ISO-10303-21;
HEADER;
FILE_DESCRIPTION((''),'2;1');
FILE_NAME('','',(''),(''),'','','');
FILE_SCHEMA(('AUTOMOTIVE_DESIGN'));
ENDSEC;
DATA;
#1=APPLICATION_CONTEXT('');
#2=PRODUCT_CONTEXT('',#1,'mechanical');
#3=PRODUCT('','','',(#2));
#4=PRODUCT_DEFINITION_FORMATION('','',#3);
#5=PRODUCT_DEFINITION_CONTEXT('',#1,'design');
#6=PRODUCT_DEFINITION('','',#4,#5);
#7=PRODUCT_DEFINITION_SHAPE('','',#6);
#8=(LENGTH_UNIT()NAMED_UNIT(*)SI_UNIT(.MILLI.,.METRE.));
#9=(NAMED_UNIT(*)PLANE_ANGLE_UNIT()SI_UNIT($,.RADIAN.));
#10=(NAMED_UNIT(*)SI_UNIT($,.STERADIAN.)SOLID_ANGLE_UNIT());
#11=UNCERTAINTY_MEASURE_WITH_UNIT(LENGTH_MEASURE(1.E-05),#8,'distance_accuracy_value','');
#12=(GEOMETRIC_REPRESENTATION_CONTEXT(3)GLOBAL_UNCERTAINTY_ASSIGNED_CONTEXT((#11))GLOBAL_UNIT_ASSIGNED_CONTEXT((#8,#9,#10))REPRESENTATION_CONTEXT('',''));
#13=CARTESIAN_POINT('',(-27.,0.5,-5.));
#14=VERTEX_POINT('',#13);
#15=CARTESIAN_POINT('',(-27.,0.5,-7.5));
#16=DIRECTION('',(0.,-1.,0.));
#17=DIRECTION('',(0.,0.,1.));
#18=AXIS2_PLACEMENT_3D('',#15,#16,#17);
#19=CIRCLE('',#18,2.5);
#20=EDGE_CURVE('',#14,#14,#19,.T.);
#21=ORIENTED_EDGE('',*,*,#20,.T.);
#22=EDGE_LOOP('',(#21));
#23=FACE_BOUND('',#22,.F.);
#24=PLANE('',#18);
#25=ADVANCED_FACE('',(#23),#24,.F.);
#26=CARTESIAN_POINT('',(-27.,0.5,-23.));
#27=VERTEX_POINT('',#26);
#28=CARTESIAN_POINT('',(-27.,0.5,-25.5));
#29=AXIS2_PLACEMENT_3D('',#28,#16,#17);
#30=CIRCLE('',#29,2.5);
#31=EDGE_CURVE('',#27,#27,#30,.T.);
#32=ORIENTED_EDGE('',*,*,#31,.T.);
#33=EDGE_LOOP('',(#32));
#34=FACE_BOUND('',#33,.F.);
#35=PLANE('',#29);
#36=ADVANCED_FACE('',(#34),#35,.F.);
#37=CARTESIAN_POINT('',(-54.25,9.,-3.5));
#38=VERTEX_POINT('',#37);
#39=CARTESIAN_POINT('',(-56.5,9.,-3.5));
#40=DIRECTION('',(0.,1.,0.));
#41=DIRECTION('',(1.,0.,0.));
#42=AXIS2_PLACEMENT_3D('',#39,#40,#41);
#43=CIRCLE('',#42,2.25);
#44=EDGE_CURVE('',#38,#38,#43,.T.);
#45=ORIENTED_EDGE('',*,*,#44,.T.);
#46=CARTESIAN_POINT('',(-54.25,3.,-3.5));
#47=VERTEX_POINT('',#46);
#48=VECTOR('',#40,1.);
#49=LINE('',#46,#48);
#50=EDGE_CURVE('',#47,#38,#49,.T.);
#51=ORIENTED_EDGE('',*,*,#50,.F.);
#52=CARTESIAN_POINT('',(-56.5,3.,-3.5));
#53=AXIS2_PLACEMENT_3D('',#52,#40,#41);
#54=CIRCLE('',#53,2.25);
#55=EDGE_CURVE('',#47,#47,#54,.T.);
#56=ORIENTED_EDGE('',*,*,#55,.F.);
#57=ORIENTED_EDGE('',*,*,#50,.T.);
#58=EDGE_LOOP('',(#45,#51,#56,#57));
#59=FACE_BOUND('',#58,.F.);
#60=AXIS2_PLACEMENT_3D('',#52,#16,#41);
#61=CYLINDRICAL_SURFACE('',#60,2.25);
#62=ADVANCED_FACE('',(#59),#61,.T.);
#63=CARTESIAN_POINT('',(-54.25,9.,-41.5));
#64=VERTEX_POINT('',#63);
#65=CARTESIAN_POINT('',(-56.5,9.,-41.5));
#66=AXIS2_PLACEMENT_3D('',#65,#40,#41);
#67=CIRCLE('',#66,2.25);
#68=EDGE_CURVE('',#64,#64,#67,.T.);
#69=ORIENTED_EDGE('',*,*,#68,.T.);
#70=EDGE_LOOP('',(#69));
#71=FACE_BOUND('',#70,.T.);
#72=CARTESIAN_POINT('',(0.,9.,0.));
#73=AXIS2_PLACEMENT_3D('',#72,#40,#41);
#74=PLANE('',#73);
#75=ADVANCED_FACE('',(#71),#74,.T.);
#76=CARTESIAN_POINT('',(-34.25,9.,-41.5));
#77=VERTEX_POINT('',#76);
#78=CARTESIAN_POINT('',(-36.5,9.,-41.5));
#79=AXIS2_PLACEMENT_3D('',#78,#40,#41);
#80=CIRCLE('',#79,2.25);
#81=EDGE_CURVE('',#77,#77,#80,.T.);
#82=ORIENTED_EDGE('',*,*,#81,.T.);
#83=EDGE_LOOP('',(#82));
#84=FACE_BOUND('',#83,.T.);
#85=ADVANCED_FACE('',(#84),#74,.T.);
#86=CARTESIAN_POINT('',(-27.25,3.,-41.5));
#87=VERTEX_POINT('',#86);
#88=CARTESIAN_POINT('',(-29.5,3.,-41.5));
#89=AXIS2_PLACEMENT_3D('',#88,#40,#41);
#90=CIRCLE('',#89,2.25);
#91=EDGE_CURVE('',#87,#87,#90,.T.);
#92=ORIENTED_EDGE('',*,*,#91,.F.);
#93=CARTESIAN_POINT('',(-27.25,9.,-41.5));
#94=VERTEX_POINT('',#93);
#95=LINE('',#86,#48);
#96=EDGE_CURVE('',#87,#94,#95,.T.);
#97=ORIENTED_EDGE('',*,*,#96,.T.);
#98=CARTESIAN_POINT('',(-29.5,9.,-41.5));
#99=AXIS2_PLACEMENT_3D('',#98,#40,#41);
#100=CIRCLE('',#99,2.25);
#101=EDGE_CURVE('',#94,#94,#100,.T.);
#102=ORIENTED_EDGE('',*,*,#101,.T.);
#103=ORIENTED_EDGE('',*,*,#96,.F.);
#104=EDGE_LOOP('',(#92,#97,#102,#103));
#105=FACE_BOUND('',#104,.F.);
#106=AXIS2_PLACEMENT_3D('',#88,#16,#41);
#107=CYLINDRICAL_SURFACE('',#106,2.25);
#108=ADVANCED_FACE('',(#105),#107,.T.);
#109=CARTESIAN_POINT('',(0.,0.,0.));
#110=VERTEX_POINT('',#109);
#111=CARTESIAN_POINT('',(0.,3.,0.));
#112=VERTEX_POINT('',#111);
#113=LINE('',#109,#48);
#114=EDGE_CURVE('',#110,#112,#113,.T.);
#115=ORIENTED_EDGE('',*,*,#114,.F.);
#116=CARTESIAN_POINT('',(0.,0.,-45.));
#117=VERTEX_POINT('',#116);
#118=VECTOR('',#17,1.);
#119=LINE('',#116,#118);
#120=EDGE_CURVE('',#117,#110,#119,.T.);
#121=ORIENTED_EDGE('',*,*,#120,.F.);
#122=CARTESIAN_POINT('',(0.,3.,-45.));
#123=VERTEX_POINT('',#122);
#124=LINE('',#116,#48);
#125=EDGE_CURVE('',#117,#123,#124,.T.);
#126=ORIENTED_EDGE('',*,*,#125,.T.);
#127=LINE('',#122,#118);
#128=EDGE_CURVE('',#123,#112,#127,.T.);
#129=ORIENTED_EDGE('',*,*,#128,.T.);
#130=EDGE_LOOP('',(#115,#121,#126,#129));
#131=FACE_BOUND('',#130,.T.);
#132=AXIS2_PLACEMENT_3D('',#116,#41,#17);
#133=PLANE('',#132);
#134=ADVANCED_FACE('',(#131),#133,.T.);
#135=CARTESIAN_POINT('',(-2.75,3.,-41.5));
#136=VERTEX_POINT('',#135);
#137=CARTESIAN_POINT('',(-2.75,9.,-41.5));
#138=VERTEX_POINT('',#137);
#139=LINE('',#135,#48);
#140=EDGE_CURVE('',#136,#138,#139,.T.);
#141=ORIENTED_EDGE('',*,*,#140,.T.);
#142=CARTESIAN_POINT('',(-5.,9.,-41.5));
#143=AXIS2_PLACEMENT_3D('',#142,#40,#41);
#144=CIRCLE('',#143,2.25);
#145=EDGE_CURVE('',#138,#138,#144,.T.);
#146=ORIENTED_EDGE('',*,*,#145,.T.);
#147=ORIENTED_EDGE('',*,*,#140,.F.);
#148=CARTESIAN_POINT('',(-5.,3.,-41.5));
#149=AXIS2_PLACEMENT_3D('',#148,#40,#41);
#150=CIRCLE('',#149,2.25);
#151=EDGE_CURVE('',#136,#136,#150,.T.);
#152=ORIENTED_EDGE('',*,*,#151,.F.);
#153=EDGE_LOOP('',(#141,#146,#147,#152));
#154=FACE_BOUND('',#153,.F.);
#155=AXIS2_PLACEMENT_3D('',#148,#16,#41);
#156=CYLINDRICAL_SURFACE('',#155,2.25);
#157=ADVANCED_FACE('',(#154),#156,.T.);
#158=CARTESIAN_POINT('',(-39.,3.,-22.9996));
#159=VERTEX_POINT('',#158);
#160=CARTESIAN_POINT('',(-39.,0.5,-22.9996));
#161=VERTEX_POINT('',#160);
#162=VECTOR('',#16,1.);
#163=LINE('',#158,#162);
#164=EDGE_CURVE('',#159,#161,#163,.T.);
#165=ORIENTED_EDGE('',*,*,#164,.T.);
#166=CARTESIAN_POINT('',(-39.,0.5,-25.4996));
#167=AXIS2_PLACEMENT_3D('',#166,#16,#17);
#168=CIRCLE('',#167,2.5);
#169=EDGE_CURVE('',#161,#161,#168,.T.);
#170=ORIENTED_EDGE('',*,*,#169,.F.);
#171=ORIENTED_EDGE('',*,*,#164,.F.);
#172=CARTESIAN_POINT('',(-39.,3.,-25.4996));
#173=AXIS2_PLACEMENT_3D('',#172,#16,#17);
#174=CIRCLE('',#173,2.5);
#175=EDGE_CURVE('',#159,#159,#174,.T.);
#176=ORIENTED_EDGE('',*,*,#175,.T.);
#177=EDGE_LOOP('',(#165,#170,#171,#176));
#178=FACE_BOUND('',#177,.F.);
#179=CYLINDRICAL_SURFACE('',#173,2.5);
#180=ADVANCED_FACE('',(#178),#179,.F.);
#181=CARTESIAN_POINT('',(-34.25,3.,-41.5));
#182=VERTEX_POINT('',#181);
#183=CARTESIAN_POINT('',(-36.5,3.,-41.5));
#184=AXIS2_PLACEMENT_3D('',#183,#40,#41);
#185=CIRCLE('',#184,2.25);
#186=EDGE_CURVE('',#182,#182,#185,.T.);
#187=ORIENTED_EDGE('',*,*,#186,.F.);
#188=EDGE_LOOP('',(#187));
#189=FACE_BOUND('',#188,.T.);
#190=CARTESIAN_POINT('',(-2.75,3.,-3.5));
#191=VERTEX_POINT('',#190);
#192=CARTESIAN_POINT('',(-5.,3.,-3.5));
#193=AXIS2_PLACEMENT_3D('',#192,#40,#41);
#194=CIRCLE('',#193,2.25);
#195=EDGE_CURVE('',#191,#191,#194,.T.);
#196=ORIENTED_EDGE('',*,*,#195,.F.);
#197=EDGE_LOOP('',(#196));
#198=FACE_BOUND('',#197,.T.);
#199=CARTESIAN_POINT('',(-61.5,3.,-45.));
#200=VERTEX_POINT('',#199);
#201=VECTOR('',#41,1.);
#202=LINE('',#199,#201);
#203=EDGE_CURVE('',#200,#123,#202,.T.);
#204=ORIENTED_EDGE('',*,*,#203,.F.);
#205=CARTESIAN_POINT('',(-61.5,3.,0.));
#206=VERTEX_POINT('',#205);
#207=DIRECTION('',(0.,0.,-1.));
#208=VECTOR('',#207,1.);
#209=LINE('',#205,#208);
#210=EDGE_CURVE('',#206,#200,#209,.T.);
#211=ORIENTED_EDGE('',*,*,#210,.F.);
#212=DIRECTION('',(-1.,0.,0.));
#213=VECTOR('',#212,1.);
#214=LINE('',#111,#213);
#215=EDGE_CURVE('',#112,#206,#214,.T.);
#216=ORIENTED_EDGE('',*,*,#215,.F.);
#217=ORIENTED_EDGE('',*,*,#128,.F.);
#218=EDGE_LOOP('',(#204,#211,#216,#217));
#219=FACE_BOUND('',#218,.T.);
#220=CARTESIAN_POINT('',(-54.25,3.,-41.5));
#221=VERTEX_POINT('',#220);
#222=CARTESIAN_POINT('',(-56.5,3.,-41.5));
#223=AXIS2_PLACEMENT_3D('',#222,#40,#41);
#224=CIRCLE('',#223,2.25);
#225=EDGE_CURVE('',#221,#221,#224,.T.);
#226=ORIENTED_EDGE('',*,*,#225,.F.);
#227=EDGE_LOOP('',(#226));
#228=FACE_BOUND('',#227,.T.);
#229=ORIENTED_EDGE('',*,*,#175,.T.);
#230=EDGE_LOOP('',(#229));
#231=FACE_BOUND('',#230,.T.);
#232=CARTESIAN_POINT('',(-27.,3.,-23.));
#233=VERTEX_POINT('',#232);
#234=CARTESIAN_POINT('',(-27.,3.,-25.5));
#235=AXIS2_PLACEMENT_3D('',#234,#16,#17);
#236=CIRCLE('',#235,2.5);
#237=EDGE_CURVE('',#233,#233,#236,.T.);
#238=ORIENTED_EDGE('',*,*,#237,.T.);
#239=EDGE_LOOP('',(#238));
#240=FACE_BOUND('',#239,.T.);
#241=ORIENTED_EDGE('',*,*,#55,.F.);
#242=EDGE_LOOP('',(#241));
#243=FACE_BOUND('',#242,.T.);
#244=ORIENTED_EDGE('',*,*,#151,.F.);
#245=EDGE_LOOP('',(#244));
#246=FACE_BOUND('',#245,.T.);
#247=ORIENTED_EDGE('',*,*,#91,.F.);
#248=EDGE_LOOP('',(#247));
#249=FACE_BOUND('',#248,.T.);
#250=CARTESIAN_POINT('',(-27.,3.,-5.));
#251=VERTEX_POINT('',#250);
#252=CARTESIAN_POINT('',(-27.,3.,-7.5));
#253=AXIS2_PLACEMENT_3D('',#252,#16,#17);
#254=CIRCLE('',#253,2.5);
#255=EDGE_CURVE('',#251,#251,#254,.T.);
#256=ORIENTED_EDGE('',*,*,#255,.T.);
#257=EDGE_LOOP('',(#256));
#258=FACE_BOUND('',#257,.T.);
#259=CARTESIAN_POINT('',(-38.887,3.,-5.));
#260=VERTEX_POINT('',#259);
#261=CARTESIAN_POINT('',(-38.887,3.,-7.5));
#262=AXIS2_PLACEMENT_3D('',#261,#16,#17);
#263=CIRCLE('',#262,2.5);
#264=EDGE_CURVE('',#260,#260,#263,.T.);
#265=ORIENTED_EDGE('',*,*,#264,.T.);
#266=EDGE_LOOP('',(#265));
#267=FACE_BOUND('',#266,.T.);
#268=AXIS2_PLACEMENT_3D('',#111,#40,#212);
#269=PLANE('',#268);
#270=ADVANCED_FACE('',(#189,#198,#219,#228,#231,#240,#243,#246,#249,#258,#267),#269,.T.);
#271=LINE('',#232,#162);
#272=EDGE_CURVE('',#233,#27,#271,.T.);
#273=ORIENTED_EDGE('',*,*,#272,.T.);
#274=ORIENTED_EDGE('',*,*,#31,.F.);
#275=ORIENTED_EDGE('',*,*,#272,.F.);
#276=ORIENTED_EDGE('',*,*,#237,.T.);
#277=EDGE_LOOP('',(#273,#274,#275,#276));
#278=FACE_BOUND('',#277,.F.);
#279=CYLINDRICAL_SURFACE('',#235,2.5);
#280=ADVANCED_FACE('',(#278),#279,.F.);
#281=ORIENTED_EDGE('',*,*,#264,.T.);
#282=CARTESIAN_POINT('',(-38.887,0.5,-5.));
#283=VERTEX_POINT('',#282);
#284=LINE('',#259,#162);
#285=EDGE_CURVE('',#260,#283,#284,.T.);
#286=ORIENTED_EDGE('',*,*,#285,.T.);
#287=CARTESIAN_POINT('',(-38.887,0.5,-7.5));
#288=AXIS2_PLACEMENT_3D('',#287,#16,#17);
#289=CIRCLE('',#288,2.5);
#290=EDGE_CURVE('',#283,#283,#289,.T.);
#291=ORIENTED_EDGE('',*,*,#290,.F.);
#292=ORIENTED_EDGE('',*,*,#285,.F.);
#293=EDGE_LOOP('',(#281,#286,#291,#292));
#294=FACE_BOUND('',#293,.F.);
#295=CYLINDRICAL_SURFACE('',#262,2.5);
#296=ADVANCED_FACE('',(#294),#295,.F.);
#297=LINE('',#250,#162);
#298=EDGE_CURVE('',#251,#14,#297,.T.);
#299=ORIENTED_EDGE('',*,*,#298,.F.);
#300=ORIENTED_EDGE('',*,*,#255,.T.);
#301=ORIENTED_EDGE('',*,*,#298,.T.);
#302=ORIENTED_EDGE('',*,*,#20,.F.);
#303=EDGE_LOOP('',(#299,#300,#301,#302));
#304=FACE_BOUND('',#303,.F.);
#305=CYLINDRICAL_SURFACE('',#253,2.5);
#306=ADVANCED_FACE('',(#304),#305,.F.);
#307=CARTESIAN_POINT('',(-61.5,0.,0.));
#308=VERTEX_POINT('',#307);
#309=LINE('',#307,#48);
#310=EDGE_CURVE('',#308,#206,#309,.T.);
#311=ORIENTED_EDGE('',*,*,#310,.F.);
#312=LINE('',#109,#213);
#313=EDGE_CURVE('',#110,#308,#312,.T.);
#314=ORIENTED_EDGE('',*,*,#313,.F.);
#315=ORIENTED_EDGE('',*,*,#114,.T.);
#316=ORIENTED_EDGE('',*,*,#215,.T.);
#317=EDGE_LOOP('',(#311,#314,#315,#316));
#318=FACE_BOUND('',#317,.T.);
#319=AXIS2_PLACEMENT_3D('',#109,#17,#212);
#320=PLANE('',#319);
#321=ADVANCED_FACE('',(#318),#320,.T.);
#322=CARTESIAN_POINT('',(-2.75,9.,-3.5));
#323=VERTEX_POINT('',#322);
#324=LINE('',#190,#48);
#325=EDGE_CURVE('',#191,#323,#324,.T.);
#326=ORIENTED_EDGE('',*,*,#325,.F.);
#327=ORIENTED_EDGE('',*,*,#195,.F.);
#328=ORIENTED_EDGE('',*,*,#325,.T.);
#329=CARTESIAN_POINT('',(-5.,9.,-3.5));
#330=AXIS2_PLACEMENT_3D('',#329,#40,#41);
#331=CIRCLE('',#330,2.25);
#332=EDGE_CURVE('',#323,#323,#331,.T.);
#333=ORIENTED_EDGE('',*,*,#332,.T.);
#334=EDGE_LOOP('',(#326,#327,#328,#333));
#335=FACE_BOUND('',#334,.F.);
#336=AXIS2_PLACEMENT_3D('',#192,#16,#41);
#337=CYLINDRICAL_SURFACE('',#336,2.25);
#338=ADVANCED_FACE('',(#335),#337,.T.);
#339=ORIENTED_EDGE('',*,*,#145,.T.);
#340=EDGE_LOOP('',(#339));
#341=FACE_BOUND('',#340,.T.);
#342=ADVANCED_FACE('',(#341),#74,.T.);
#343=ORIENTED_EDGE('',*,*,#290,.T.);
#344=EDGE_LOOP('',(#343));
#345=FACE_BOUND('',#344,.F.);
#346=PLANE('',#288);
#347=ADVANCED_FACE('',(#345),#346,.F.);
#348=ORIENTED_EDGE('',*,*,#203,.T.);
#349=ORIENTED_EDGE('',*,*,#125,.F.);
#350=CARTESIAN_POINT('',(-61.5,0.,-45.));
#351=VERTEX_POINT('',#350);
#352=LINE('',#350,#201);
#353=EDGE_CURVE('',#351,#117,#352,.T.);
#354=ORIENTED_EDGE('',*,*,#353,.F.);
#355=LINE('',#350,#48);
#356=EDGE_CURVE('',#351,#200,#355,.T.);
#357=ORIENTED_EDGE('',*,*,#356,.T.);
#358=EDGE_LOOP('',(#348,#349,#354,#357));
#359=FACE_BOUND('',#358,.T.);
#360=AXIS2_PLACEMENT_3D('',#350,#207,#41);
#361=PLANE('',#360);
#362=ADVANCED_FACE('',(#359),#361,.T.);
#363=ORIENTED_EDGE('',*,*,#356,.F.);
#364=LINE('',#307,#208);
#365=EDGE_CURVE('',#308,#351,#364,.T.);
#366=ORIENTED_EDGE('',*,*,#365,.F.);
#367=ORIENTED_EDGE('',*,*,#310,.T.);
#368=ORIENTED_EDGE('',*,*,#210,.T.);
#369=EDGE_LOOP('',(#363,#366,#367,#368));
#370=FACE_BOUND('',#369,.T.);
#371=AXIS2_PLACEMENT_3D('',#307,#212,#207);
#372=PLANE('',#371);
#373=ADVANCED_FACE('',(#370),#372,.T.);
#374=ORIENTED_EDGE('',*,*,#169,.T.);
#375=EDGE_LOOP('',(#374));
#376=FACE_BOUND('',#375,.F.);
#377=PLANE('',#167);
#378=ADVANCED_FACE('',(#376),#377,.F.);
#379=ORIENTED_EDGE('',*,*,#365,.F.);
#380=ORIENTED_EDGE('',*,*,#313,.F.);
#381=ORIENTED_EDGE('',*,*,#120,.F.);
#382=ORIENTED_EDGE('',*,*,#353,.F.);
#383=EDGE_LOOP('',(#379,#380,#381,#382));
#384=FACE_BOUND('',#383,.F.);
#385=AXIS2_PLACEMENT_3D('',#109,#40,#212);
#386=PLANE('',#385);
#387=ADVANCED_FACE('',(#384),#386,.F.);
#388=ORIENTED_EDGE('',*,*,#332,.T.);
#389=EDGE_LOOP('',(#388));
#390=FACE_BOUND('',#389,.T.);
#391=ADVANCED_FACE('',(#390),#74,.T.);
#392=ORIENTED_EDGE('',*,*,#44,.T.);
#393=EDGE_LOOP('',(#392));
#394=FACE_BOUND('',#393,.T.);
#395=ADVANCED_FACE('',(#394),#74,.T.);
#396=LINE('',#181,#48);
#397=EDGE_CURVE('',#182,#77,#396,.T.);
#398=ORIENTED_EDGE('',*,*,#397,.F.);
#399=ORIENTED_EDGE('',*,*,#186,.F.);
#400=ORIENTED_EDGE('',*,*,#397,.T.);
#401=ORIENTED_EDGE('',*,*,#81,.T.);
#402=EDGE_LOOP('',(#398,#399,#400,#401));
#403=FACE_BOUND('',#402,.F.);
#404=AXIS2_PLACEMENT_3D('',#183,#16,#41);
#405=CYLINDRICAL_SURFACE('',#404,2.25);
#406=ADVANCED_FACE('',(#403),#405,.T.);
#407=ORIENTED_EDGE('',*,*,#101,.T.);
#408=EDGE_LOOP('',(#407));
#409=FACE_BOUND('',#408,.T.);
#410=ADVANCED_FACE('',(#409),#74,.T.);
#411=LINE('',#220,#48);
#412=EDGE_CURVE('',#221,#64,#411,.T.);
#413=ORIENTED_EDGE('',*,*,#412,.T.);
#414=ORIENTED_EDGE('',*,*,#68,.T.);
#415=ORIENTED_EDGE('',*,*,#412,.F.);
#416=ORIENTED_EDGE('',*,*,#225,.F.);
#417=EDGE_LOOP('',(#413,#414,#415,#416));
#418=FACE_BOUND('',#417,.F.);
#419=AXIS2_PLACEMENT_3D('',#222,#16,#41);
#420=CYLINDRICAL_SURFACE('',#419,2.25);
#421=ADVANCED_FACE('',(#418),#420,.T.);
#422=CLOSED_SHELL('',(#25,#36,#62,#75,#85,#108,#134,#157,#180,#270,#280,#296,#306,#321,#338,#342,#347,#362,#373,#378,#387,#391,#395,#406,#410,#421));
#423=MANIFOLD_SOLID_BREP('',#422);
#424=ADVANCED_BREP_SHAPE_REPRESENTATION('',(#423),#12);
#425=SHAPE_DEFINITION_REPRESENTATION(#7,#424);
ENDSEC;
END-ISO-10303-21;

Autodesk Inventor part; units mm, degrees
ref_plane "YZ Plane" through (0, 0, 0) normal (1, 0, 0) x (0, 1, 0)
ref_plane "XZ Plane" through (0, 0, 0) normal (0, 1, 0) x (-1, 0, 0)
ref_plane "XY Plane" through (0, 0, 0) normal (0, 0, 1) x (1, 0, 0)
sketch "Sketch1" plane through (0, 0, 0) normal (0, 1, 0) x (-1, 0, 0)
  line L0 (0, 0) -> (61.5, 0)
  line L1 (61.5, 0) -> (61.5, -45)
  line L2 (61.5, -45) -> (0, -45)
  line L3 (0, -45) -> (0, 0)
  dimension "d0" = 61.5
  dimension "d1" = 45
extrude "Extrusion1" add sketch "Sketch1" along normal blind 3
sketch "Sketch2" plane through (0, 3, 0) normal (0, 1, 0) x (1, 0, 0)
  circle A0 centre (-27, 25.5) radius 2.5
  line L0 (0, 0) -> (0, 45) projected
  line L1 (-61.5, 0) -> (0, 0) projected
  line L2 (0, 45) -> (-61.5, 45) projected
  circle A1 centre (-39, 25.4996) radius 2.5
  circle A2 centre (-38.887, 7.5) radius 2.5
  circle A3 centre (-27, 7.5) radius 2.5
  dimension "d4" = 5
  dimension "d5" = 27
  dimension "d8" = 5
  dimension "d9" = 12
  dimension "d10" = 5
  dimension "d11" = 18
  dimension "d12" = 5
  dimension "d13" = 7.5
  dimension "d14" = 7.5
  dimension "d15" = 18
hole "Hole1" at (-27, 3, -7.5) at (-38.887, 3, -7.5) at (-39, 3, -25.4996) at (-27, 3, -25.5) direction (0, -1, 0) diameter 5 depth 2.5
sketch "Sketch3" plane through (0, 3, 0) normal (0, 1, 0) x (1, 0, 0)
  circle A0 centre (-5, 3.5) radius 2.25
  line L0 (-61.5, 0) -> (0, 0) projected
  line L1 (0, 0) -> (0, 45) projected
  circle A1 centre (-56.5, 3.5) radius 2.25
  line L2 (-61.5, 45) -> (-61.5, 0) projected
  circle A2 centre (-5, 41.5) radius 2.25
  line L3 (0, 45) -> (-61.5, 45) projected
  circle A3 centre (-56.5, 41.5) radius 2.25
  circle A4 centre (-29.5, 41.5) radius 2.25
  circle A5 centre (-36.5, 41.5) radius 2.25
  dimension "d23" = 4.5
  dimension "d24" = 3.5
  dimension "d25" = 5
  dimension "d26" = 4.5
  dimension "d27" = 3.5
  dimension "d28" = 5
  dimension "d29" = 4.5
  dimension "d30" = 3.5
  dimension "d31" = 4.5
  dimension "d32" = 4.5
  dimension "d33" = 24.5
  dimension "d34" = 5
  dimension "d35" = 5
  dimension "d36" = 3.5
  dimension "d37" = 4.5
  dimension "d38" = 20
extrude "Extrusion2" add sketch "Sketch3" along normal blind 6 contours A0 | A1 | A2 | A3 | A4 | A5
properties part number "TrolleyTopPlate1"
